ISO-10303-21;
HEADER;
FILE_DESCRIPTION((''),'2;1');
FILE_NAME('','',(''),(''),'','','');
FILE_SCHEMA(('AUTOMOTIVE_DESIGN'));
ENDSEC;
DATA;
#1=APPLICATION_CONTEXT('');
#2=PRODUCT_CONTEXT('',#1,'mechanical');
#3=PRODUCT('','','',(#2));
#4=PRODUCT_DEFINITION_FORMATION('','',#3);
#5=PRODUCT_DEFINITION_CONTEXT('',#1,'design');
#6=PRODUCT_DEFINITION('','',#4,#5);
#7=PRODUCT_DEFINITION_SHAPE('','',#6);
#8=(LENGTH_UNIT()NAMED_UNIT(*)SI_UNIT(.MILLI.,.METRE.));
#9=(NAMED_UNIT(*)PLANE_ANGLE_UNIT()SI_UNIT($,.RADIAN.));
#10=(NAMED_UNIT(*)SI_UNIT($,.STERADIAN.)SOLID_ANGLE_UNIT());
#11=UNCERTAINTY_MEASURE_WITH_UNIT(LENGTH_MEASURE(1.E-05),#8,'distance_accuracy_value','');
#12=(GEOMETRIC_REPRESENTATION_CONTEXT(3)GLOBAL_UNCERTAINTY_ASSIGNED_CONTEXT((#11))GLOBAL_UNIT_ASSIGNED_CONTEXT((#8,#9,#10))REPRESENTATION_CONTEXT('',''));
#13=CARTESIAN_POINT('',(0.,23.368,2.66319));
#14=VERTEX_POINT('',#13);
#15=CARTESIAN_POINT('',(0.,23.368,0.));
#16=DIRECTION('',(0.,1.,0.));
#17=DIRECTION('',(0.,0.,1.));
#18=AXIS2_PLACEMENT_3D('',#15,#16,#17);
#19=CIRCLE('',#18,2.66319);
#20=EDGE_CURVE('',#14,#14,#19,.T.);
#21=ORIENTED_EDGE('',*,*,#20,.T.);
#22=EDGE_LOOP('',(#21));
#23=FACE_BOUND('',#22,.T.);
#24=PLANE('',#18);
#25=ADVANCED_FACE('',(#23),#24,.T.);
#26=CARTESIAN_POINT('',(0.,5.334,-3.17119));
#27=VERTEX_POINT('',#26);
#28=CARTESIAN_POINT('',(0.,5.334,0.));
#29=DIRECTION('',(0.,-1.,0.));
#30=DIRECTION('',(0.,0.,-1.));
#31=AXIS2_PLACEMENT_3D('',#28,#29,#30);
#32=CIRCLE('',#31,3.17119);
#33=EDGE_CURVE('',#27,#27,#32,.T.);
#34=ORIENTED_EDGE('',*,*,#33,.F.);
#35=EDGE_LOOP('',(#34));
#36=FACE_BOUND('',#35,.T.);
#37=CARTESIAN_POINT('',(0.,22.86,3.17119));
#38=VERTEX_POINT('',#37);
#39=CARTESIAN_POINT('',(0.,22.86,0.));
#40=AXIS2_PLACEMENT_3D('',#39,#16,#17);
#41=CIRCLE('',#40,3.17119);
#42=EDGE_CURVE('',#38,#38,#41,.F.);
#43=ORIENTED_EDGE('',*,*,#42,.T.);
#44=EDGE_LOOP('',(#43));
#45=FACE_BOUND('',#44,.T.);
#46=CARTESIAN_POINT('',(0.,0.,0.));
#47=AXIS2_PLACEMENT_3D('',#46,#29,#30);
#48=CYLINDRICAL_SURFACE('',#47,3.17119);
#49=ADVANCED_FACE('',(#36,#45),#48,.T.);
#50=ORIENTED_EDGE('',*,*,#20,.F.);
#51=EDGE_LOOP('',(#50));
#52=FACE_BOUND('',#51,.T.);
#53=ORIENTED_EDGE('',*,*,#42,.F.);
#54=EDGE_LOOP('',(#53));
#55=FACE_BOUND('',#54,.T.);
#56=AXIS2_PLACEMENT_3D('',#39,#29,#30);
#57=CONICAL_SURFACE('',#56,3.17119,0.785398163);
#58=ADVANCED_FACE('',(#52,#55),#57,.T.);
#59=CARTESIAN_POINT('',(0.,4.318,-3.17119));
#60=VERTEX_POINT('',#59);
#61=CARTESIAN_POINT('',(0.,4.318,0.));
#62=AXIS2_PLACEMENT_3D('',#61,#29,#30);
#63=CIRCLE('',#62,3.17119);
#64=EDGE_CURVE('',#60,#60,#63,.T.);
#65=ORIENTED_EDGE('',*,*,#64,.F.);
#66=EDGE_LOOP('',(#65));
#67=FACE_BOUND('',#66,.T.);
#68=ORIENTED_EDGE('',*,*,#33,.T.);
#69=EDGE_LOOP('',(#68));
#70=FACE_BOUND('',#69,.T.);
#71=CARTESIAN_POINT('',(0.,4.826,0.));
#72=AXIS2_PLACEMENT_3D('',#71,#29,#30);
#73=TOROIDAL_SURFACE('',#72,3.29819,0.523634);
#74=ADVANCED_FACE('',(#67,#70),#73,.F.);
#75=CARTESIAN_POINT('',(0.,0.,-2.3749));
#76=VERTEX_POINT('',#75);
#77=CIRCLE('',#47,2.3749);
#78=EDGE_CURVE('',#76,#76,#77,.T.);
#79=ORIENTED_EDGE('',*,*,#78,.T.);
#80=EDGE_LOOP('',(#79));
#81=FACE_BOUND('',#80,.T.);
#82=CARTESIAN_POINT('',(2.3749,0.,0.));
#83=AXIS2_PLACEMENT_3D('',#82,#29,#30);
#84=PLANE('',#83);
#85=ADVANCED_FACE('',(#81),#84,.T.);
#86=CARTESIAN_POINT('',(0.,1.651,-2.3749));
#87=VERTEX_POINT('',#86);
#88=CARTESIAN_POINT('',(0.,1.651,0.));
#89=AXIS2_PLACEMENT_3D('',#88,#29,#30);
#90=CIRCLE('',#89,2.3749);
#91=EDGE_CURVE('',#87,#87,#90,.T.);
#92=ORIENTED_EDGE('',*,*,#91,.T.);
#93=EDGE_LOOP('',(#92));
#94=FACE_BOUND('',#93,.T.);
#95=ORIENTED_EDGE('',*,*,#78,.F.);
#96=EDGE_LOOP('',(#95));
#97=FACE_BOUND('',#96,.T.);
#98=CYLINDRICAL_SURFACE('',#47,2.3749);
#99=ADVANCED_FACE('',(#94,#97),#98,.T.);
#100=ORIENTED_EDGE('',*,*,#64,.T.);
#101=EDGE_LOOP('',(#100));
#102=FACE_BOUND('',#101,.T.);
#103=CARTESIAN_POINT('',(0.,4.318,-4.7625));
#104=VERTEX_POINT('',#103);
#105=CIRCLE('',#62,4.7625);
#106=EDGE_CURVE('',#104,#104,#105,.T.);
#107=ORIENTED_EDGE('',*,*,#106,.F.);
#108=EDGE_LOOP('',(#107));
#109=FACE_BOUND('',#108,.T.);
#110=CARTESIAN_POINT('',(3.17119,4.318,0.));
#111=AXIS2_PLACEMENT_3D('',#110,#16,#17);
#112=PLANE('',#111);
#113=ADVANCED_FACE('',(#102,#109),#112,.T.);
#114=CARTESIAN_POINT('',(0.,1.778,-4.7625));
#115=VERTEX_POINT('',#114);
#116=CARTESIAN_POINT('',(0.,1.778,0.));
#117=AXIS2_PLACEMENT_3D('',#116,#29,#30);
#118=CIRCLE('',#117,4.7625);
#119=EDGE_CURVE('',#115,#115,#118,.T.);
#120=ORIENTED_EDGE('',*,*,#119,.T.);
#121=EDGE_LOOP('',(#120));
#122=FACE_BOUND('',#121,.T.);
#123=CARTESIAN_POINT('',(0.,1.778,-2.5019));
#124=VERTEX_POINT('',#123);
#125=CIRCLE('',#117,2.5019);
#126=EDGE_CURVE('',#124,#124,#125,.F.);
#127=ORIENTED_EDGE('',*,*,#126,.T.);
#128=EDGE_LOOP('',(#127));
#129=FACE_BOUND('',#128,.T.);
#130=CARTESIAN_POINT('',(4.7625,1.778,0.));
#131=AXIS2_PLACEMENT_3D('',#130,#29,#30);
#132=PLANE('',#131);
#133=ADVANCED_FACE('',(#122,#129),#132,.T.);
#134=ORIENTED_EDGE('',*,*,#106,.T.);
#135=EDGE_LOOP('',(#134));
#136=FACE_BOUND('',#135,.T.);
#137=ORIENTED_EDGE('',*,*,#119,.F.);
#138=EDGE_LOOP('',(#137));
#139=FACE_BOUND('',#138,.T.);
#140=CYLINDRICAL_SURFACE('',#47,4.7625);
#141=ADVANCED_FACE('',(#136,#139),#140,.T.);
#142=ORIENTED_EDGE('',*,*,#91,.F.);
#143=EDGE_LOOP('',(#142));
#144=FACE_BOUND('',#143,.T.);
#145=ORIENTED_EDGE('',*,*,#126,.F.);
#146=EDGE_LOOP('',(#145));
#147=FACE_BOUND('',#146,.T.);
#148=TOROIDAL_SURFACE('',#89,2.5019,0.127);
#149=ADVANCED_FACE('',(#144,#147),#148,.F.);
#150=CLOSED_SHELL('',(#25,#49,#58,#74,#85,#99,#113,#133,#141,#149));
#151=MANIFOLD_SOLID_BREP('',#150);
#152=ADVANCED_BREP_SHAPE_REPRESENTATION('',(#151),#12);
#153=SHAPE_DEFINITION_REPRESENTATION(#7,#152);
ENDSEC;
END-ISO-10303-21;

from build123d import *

# Parameters (mm, degrees)
FILLET1_R     = 0.127
CHAMFER1_SIZE = 0.508


with BuildPart() as part:
    # Sketch1 → Revolve1 (revolve)
    with BuildSketch(Plane.XY):
        with BuildLine():
            Line((0, 23.368), (3.17119, 23.368))
            Line((3.17119, 23.368), (3.17119, 5.334))
            ThreePointArc((3.17119, 5.334), (2.774555586, 4.826), (3.17119, 4.318))
            Line((3.17119, 4.318), (4.7625, 4.318))
            Line((4.7625, 4.318), (4.7625, 1.778))
            Line((4.7625, 1.778), (2.3749, 1.778))
            Line((2.3749, 1.778), (2.3749, 0))
            Line((2.3749, 0), (0, 0))
            Line((0, 0), (0, 23.368))
        make_face()
    revolve(axis=Axis((0, 0, 0), (0, 1, 0)))

    # Fillet1
    fillet1_edges = [part.edges().sort_by_distance(p)[0] for p in [
        (-2.3749, 1.778, 0),
    ]]
    fillet(fillet1_edges, radius=FILLET1_R)

    # Chamfer1
    chamfer1_edges = [part.edges().sort_by_distance(p)[0] for p in [
        (-3.17119, 23.368, 0),
    ]]
    chamfer(chamfer1_edges, length=CHAMFER1_SIZE)


solid = part.part
